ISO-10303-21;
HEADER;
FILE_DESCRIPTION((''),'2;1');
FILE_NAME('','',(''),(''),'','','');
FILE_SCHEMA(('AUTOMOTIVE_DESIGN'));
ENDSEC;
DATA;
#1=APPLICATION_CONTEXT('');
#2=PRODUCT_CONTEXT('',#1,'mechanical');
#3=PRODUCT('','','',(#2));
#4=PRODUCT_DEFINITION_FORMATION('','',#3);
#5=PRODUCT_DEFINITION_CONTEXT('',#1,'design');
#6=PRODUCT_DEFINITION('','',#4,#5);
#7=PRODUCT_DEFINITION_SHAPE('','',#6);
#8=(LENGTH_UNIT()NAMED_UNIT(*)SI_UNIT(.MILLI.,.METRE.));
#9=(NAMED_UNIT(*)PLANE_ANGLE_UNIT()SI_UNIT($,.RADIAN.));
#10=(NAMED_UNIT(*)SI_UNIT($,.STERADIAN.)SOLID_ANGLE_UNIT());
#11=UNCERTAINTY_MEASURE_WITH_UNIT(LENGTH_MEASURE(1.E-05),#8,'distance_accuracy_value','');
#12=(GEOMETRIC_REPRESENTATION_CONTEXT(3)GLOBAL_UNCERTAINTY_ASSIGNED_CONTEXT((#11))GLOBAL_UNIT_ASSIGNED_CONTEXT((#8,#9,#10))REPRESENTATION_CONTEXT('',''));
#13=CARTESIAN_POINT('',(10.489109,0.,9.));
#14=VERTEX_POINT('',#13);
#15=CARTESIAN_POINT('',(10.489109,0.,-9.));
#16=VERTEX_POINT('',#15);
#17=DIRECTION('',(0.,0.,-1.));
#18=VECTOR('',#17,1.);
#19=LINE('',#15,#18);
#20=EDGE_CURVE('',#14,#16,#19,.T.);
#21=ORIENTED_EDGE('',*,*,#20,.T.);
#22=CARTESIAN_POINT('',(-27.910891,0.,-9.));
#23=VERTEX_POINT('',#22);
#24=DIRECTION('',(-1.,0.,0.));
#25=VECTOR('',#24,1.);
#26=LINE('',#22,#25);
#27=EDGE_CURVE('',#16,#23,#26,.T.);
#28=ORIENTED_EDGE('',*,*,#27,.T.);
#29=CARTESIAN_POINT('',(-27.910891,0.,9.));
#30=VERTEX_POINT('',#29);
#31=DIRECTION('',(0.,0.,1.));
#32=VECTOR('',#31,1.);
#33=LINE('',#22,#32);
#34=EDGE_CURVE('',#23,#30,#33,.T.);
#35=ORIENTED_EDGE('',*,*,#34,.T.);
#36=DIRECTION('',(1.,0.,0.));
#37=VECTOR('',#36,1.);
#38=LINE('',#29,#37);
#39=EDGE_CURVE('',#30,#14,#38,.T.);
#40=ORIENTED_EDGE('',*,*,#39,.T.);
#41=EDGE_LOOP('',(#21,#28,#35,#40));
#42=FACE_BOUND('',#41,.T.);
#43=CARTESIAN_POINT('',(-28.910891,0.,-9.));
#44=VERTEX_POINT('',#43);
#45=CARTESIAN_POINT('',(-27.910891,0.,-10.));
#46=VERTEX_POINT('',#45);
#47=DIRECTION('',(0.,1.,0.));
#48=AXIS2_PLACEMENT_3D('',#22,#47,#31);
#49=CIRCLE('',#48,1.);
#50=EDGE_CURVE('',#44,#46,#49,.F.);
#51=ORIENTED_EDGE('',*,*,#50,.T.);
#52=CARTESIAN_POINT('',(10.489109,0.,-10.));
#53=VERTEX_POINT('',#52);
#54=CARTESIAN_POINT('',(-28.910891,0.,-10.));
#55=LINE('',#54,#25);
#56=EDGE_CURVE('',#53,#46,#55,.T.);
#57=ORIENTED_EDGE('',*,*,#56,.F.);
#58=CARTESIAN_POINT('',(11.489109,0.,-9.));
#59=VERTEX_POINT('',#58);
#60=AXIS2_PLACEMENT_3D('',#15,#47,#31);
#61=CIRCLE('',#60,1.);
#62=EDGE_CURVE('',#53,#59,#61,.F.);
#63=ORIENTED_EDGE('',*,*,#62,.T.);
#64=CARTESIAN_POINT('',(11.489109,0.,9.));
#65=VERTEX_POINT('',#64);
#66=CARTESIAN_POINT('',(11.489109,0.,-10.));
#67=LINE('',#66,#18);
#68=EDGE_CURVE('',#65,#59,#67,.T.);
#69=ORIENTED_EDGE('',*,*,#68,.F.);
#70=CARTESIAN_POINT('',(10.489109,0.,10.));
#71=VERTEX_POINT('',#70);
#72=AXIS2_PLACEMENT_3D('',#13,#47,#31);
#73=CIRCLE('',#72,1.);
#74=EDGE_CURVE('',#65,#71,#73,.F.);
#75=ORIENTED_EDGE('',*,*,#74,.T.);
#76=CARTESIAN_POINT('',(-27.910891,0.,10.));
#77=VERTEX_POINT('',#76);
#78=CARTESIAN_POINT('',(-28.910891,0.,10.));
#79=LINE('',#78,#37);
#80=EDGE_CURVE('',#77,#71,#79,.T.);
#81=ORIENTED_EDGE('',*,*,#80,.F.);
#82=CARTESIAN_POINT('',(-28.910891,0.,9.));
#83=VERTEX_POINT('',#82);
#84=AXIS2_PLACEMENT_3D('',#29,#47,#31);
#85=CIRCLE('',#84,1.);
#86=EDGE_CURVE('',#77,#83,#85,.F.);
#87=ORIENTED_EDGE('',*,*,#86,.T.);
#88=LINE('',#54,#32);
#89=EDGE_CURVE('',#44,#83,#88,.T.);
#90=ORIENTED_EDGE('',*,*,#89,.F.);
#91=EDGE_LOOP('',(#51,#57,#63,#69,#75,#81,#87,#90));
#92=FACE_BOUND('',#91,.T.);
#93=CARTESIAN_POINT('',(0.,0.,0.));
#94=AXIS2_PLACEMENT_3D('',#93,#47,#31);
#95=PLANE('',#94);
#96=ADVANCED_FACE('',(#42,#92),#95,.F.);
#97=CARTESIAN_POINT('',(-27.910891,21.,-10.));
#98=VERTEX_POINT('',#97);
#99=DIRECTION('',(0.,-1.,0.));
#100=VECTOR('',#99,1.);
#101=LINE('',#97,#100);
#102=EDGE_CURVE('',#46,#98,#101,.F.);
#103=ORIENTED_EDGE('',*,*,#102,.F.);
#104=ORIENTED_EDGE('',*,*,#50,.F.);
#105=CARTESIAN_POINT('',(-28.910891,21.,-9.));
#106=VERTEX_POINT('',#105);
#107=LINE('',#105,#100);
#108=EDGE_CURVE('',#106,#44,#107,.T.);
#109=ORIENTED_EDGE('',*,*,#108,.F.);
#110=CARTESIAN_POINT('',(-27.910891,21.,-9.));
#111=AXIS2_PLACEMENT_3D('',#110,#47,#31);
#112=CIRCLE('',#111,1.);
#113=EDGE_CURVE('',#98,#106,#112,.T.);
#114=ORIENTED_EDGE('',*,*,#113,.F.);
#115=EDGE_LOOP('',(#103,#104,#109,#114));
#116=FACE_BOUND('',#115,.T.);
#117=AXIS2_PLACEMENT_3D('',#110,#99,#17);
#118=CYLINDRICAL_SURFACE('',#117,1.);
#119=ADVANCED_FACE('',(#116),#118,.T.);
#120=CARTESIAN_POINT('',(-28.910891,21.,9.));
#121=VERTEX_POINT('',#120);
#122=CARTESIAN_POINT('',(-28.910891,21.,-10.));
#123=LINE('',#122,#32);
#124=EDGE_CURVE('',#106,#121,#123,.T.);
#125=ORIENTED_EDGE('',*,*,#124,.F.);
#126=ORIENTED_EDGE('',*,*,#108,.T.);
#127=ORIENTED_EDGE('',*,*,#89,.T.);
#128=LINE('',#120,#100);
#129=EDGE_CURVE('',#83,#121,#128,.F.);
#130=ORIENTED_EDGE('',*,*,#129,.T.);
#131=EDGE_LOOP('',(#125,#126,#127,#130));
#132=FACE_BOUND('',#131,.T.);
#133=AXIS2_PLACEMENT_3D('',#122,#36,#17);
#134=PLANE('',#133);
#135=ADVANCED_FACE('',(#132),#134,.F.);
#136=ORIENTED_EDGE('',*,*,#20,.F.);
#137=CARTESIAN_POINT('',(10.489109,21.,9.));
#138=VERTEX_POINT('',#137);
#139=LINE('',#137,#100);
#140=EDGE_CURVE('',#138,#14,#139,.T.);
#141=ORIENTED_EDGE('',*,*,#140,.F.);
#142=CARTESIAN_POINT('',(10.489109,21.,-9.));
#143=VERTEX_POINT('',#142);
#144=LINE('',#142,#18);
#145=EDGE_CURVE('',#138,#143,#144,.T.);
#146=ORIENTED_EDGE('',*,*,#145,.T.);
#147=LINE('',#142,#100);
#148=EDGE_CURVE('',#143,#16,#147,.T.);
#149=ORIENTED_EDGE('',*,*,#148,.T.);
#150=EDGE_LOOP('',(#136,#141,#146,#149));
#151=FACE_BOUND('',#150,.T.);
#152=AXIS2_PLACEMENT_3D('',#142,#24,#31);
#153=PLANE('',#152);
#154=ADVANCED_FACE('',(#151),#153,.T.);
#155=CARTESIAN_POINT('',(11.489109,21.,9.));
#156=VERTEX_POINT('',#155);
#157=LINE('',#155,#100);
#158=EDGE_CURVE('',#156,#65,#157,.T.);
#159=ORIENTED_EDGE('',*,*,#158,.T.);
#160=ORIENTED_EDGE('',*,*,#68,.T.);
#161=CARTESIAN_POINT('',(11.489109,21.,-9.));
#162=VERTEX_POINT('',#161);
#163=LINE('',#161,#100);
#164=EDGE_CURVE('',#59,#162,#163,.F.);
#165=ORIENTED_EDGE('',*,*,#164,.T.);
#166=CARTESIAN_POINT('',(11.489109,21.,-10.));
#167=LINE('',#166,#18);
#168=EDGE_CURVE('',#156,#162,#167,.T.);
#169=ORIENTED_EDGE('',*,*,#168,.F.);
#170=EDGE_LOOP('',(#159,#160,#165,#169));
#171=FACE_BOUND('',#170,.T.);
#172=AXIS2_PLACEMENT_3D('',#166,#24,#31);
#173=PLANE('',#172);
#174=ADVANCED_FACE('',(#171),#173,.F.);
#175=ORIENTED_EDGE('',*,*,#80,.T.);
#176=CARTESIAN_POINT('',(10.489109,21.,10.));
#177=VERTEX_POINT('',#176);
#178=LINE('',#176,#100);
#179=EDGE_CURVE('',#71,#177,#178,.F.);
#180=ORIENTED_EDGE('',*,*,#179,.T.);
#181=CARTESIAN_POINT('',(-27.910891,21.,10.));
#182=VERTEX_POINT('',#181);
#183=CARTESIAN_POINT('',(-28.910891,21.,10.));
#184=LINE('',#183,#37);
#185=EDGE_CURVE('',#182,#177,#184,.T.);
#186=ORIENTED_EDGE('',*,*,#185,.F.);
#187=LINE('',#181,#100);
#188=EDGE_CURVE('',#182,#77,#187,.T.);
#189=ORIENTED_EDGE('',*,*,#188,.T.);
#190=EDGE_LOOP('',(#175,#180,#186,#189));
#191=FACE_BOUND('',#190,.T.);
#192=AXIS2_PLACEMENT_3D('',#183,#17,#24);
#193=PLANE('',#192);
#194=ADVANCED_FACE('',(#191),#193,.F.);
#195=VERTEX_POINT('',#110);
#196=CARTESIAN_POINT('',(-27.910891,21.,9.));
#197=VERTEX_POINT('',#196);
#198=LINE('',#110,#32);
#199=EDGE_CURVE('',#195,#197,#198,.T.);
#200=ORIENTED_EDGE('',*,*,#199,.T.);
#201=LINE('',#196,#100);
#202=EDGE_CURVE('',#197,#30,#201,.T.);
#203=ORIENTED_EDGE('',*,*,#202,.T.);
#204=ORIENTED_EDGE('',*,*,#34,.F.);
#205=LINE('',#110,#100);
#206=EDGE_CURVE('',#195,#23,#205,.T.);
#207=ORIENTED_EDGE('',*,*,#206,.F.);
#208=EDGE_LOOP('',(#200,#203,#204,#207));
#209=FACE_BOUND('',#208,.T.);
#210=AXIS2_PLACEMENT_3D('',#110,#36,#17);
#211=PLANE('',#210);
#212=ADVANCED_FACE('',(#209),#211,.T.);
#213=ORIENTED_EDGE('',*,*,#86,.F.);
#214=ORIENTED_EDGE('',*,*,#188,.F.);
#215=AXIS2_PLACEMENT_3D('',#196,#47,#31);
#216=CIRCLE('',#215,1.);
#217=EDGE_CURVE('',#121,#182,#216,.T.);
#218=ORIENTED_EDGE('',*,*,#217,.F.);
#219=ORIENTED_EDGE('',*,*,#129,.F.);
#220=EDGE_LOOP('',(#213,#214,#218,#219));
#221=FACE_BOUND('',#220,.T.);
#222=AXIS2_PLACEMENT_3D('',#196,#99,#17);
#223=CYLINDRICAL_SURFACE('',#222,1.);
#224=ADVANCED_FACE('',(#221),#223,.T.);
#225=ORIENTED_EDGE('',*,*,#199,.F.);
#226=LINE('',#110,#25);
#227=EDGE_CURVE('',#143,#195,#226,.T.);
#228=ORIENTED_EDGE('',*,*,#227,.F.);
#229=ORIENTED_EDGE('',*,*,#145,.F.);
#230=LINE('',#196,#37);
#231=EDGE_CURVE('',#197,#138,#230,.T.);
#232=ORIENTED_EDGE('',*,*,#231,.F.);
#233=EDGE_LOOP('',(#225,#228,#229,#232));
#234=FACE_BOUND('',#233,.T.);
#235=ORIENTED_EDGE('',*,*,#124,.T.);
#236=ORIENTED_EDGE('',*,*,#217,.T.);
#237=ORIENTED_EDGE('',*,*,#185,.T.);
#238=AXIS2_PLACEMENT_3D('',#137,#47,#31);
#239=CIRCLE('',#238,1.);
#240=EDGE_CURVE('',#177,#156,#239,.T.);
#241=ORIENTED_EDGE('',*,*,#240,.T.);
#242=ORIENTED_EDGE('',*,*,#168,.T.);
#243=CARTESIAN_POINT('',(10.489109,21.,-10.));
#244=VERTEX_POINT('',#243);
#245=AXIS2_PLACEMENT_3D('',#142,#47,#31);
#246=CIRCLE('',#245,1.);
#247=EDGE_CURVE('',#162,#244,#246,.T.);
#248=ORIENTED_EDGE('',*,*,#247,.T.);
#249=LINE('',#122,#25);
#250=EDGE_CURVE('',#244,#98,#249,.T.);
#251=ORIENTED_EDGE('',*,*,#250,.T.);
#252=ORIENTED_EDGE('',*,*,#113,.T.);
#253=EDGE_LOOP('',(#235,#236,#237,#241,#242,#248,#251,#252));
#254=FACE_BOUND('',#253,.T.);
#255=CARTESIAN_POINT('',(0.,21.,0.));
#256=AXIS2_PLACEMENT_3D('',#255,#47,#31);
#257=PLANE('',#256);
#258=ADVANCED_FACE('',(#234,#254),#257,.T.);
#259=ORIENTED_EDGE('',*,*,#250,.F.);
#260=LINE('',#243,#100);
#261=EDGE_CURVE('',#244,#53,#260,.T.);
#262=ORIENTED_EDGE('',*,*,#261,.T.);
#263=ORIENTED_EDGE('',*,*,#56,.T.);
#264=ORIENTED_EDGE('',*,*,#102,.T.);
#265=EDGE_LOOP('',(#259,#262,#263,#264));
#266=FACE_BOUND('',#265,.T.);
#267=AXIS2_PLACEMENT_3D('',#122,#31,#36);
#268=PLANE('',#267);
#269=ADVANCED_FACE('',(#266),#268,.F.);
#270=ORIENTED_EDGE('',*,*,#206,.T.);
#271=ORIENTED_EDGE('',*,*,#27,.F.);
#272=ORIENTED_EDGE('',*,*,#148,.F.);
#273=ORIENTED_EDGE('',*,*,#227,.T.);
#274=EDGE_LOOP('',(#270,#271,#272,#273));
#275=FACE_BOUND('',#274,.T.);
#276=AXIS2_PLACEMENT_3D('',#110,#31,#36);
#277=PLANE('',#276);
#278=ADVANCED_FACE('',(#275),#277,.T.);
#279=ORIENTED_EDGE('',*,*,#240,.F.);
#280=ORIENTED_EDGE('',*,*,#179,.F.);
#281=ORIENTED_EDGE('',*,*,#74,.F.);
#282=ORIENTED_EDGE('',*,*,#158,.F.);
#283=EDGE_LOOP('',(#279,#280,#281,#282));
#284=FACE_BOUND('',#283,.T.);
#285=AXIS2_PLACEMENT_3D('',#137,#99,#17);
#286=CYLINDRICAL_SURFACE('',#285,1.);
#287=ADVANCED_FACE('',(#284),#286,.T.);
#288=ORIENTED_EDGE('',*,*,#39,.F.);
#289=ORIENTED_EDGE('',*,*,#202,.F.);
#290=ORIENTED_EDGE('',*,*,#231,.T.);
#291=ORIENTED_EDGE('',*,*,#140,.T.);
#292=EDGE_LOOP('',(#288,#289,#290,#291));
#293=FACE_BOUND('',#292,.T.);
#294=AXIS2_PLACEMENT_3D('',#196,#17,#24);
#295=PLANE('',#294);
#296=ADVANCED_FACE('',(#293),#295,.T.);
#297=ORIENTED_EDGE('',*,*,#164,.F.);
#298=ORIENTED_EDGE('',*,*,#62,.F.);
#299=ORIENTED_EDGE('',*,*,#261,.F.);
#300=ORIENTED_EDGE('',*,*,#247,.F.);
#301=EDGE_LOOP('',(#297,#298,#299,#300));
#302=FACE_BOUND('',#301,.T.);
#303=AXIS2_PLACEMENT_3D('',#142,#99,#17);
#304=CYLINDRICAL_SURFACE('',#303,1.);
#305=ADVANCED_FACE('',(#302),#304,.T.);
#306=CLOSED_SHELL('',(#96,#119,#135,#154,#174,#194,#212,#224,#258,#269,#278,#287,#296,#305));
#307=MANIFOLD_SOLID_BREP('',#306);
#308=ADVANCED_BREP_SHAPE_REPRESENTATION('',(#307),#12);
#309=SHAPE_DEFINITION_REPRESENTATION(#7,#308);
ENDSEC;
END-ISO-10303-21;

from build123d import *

# Parameters (mm, degrees)
ESQUISSE1_W        = 40.4
ESQUISSE1_H        = 20
ESQUISSE1_W_2      = 38.4
ESQUISSE1_H_2      = 18
BOSS_EXTRU_1_DEPTH = 21
CONG_1_R           = 1


with BuildPart() as part:
    # Esquisse1 → Boss.-Extru.1 (new body)
    with BuildSketch(Plane(origin=(0, 0, 0), x_dir=(1, 0, 0), z_dir=(0, 1, 0))):
        with Locations((-8.710891089, 0)):
            Rectangle(ESQUISSE1_W, ESQUISSE1_H)
        with Locations((-8.710891089, 0)):
            Rectangle(ESQUISSE1_W_2, ESQUISSE1_H_2, mode=Mode.SUBTRACT)
    extrude(amount=BOSS_EXTRU_1_DEPTH)

    # Congé1
    cong_1_edges = [part.edges().sort_by_distance(p)[0] for p in [
        (-28.910891089, 10.5, -10),
        (11.489108911, 10.5, -10),
        (11.489108911, 10.5, 10),
        (-28.910891089, 10.5, 10),
    ]]
    fillet(cong_1_edges, radius=CONG_1_R)


solid = part.part
